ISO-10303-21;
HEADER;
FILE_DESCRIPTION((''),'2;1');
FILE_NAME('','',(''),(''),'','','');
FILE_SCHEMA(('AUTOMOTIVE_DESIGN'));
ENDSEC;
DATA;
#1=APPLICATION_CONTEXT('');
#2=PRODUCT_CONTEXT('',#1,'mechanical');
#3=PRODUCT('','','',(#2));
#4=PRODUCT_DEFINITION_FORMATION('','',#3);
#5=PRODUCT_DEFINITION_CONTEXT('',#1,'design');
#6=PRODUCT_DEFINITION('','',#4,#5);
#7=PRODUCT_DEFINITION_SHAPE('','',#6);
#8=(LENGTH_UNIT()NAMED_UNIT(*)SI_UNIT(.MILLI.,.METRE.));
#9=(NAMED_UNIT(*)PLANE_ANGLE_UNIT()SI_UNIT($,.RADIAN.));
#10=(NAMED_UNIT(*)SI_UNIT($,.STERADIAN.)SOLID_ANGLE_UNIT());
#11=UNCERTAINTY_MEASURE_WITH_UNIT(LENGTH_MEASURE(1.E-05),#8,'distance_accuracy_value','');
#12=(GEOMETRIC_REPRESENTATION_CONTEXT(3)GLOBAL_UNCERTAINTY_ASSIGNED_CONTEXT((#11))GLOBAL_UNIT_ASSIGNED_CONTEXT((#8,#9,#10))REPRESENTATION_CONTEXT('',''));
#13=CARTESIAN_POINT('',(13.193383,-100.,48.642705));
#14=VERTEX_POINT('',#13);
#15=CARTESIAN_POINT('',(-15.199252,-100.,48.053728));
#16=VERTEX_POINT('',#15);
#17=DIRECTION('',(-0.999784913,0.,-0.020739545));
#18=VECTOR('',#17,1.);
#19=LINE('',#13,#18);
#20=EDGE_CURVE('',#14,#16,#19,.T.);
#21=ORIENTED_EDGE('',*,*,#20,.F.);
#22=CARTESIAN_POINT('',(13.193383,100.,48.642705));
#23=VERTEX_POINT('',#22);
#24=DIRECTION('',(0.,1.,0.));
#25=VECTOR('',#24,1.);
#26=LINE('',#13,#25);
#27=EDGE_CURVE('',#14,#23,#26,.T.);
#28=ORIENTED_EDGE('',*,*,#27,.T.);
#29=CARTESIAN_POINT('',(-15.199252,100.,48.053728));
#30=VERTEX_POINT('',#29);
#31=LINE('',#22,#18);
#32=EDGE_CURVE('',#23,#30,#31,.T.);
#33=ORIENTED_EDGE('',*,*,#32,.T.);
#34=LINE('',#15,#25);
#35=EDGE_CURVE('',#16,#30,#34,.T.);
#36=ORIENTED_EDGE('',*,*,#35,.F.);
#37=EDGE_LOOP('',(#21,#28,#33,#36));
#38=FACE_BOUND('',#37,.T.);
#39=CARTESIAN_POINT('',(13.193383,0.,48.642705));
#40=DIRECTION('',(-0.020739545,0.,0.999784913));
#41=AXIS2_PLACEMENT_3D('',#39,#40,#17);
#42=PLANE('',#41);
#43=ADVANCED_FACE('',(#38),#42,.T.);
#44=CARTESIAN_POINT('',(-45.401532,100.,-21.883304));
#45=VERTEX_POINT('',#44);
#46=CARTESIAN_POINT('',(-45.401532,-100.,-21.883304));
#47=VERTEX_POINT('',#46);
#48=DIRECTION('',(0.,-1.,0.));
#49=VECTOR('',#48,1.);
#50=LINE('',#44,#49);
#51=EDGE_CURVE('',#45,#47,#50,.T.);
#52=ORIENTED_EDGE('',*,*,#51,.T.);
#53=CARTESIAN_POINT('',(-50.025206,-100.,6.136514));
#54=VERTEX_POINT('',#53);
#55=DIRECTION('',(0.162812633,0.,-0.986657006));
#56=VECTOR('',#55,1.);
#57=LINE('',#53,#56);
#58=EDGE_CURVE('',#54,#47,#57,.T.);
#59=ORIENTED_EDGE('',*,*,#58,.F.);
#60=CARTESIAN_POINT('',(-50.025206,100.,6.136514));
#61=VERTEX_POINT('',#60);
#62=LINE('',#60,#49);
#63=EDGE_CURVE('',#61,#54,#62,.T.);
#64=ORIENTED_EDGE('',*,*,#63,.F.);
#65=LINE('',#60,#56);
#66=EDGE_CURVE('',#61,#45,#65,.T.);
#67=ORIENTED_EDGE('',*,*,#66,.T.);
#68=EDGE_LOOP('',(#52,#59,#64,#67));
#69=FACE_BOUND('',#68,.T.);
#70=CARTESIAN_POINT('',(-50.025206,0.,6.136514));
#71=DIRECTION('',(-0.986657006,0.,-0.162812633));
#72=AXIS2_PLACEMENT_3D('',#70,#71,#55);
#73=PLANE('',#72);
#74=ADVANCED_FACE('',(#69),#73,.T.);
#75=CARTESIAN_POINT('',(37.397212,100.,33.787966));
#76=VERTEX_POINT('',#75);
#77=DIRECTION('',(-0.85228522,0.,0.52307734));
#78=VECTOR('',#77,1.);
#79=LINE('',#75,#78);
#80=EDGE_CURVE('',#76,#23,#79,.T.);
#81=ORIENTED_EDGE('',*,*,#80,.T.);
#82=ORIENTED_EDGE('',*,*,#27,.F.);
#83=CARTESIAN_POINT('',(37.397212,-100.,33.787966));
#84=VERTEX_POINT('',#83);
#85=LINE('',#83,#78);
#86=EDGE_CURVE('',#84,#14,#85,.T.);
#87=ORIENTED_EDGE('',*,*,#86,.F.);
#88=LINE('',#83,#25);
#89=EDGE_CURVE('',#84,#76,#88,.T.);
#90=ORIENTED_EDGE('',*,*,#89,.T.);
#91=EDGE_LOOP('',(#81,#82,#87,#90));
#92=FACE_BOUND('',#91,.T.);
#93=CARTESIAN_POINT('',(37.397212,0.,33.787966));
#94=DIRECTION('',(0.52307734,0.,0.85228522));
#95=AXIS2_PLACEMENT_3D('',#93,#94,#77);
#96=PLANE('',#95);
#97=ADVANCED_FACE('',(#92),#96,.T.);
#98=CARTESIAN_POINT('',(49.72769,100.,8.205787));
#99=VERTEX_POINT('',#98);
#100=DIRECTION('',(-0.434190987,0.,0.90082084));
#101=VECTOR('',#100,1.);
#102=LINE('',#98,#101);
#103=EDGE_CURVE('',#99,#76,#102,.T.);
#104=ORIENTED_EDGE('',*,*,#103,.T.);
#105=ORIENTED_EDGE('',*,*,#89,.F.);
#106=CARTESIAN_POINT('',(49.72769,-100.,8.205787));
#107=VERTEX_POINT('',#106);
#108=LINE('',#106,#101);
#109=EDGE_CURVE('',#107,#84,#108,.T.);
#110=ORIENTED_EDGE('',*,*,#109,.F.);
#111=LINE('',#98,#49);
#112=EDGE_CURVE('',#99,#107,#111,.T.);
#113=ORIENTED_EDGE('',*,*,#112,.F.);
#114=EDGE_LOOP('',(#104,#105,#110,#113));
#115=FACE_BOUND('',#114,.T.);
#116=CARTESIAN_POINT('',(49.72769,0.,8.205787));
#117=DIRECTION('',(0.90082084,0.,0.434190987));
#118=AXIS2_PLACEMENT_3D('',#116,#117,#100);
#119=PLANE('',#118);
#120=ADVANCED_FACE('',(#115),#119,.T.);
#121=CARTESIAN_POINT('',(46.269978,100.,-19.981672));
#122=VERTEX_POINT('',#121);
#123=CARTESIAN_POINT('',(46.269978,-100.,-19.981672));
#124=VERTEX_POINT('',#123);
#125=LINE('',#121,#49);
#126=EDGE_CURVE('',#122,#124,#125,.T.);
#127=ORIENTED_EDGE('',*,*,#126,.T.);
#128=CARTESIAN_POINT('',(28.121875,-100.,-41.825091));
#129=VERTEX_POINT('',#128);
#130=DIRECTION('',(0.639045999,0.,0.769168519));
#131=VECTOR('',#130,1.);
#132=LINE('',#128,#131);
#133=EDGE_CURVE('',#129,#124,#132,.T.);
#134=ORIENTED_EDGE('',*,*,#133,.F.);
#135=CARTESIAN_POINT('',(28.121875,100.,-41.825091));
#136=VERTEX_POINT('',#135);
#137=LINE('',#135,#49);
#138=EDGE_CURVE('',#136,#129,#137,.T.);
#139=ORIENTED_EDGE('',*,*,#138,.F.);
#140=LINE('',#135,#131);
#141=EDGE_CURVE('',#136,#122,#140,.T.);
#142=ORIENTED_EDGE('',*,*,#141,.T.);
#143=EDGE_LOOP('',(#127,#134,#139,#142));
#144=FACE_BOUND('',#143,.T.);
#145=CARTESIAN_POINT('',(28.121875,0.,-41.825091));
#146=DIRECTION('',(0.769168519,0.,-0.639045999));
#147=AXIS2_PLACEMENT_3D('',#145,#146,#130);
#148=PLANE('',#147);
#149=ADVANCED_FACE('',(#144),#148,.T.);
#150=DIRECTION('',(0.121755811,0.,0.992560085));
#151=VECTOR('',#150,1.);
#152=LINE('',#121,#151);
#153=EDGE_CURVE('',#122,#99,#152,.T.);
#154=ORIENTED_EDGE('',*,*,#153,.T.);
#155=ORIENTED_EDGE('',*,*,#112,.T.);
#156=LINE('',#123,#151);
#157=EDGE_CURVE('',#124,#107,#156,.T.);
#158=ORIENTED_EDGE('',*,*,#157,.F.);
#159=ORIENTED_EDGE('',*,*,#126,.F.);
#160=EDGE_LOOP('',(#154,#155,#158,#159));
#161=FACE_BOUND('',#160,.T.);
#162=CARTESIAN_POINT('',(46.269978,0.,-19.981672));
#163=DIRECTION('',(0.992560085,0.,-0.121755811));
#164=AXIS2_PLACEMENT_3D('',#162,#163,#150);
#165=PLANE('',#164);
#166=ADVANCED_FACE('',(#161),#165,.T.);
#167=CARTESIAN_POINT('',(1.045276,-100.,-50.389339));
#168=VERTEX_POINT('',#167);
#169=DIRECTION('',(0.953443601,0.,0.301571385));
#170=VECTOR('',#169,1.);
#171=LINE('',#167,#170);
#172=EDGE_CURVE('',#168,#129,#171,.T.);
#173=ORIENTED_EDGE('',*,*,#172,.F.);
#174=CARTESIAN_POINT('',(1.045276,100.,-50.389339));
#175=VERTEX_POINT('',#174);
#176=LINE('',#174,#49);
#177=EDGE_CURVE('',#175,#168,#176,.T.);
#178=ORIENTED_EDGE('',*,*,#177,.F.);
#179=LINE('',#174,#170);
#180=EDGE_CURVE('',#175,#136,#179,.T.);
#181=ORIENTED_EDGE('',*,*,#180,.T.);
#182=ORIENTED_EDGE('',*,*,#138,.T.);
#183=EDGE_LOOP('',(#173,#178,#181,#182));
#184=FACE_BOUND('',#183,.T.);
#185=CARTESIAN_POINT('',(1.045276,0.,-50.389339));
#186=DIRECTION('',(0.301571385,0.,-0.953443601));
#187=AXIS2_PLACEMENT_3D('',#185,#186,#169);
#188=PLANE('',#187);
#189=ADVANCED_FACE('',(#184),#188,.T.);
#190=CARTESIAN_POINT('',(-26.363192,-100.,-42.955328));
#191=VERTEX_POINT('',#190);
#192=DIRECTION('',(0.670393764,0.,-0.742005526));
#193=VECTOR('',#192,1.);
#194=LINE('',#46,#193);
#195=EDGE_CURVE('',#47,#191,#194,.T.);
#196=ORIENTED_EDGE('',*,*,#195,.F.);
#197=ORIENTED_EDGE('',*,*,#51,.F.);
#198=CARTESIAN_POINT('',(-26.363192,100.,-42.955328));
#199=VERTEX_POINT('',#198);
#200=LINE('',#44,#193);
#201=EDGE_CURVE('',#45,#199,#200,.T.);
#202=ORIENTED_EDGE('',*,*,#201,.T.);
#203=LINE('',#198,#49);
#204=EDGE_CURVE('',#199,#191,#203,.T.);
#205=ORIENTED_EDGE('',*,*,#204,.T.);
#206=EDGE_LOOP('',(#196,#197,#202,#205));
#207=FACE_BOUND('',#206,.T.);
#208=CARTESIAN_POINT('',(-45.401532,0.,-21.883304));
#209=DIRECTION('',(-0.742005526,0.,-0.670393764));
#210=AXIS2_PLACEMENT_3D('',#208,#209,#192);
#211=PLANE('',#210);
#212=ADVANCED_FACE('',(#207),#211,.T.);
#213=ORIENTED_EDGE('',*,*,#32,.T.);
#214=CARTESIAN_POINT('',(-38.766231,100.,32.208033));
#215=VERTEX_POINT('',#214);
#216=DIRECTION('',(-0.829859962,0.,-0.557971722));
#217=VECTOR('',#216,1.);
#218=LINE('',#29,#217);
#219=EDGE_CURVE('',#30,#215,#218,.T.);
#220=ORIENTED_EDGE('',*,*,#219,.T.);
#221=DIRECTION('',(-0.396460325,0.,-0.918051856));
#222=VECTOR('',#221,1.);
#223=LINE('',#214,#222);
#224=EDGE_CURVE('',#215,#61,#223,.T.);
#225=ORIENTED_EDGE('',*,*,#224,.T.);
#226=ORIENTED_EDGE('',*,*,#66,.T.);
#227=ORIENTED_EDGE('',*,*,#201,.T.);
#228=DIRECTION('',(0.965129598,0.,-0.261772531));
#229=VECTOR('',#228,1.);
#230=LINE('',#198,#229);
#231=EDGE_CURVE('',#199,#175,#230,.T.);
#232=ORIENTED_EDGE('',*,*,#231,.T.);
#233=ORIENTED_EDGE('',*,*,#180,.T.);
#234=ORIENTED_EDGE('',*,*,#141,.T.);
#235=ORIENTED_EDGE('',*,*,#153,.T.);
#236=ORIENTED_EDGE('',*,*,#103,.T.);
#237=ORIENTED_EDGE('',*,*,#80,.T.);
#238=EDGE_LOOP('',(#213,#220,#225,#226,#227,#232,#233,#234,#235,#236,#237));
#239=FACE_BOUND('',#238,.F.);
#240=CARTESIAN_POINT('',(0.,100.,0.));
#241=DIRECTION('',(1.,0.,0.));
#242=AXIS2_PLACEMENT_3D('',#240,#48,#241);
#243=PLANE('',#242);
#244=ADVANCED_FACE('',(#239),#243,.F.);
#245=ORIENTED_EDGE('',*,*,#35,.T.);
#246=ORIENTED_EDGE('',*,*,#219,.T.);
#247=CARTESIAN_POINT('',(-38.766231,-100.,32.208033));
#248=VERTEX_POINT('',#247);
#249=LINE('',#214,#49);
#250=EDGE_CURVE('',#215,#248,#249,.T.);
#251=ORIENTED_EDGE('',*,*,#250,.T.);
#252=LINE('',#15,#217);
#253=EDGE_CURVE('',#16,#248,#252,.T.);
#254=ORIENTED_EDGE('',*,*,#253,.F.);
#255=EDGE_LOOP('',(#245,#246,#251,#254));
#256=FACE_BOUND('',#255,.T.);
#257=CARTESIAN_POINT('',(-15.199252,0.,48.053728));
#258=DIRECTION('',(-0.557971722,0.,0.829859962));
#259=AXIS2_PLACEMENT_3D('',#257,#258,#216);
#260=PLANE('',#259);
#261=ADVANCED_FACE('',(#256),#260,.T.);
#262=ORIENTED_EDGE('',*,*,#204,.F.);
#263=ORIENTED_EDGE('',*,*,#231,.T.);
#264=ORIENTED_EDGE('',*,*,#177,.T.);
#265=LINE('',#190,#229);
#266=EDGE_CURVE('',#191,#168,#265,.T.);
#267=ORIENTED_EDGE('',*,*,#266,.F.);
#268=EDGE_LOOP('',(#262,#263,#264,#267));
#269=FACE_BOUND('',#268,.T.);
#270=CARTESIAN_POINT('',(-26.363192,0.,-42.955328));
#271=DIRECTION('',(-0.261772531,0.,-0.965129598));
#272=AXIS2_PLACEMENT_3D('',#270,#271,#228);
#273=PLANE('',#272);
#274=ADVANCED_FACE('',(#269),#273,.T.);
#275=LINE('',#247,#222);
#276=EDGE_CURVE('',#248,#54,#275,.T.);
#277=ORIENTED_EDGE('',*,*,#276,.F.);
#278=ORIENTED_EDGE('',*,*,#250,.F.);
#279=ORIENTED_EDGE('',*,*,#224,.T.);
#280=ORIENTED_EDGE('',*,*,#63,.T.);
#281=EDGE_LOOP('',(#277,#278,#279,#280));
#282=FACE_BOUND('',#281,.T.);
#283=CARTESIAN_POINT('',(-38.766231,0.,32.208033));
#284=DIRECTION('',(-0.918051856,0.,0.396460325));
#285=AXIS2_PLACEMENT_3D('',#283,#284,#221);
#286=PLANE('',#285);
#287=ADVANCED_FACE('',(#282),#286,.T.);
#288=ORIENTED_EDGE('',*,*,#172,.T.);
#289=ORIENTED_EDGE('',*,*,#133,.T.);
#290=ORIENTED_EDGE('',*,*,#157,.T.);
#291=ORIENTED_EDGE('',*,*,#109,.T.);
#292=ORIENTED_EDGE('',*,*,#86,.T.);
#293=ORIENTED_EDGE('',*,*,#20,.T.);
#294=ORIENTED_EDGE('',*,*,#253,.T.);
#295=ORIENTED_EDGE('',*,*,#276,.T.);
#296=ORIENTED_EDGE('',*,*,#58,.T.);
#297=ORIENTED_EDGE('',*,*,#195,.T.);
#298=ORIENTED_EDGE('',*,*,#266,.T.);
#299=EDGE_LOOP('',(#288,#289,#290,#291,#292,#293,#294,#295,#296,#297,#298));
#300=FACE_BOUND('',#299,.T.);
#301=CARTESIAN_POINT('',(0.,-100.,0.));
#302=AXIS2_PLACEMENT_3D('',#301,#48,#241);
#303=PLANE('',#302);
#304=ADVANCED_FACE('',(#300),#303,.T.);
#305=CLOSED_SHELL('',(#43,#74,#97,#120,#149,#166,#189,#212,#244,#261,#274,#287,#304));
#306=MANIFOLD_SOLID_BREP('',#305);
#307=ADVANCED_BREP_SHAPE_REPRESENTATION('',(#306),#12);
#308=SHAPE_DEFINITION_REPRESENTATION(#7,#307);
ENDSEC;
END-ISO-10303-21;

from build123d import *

# Parameters (mm, degrees)
F1_DEPTH = 100


with BuildPart() as f1:
    # F0 (on Front) → F1 (new body, symmetric)
    with BuildSketch(Plane.XZ):
        Polygon((-15.199252, 48.053728), (-38.766231, 32.208033), (-50.025206, 6.136514), (-45.401532, -21.883304), (-26.363192, -42.955328), (1.045276, -50.389339), (28.121875, -41.825091), (46.269978, -19.981672), (49.72769, 8.205787), (37.397212, 33.787966), (13.193383, 48.642705), align=None)
    extrude(amount=F1_DEPTH, both=True)


solid = f1.part
